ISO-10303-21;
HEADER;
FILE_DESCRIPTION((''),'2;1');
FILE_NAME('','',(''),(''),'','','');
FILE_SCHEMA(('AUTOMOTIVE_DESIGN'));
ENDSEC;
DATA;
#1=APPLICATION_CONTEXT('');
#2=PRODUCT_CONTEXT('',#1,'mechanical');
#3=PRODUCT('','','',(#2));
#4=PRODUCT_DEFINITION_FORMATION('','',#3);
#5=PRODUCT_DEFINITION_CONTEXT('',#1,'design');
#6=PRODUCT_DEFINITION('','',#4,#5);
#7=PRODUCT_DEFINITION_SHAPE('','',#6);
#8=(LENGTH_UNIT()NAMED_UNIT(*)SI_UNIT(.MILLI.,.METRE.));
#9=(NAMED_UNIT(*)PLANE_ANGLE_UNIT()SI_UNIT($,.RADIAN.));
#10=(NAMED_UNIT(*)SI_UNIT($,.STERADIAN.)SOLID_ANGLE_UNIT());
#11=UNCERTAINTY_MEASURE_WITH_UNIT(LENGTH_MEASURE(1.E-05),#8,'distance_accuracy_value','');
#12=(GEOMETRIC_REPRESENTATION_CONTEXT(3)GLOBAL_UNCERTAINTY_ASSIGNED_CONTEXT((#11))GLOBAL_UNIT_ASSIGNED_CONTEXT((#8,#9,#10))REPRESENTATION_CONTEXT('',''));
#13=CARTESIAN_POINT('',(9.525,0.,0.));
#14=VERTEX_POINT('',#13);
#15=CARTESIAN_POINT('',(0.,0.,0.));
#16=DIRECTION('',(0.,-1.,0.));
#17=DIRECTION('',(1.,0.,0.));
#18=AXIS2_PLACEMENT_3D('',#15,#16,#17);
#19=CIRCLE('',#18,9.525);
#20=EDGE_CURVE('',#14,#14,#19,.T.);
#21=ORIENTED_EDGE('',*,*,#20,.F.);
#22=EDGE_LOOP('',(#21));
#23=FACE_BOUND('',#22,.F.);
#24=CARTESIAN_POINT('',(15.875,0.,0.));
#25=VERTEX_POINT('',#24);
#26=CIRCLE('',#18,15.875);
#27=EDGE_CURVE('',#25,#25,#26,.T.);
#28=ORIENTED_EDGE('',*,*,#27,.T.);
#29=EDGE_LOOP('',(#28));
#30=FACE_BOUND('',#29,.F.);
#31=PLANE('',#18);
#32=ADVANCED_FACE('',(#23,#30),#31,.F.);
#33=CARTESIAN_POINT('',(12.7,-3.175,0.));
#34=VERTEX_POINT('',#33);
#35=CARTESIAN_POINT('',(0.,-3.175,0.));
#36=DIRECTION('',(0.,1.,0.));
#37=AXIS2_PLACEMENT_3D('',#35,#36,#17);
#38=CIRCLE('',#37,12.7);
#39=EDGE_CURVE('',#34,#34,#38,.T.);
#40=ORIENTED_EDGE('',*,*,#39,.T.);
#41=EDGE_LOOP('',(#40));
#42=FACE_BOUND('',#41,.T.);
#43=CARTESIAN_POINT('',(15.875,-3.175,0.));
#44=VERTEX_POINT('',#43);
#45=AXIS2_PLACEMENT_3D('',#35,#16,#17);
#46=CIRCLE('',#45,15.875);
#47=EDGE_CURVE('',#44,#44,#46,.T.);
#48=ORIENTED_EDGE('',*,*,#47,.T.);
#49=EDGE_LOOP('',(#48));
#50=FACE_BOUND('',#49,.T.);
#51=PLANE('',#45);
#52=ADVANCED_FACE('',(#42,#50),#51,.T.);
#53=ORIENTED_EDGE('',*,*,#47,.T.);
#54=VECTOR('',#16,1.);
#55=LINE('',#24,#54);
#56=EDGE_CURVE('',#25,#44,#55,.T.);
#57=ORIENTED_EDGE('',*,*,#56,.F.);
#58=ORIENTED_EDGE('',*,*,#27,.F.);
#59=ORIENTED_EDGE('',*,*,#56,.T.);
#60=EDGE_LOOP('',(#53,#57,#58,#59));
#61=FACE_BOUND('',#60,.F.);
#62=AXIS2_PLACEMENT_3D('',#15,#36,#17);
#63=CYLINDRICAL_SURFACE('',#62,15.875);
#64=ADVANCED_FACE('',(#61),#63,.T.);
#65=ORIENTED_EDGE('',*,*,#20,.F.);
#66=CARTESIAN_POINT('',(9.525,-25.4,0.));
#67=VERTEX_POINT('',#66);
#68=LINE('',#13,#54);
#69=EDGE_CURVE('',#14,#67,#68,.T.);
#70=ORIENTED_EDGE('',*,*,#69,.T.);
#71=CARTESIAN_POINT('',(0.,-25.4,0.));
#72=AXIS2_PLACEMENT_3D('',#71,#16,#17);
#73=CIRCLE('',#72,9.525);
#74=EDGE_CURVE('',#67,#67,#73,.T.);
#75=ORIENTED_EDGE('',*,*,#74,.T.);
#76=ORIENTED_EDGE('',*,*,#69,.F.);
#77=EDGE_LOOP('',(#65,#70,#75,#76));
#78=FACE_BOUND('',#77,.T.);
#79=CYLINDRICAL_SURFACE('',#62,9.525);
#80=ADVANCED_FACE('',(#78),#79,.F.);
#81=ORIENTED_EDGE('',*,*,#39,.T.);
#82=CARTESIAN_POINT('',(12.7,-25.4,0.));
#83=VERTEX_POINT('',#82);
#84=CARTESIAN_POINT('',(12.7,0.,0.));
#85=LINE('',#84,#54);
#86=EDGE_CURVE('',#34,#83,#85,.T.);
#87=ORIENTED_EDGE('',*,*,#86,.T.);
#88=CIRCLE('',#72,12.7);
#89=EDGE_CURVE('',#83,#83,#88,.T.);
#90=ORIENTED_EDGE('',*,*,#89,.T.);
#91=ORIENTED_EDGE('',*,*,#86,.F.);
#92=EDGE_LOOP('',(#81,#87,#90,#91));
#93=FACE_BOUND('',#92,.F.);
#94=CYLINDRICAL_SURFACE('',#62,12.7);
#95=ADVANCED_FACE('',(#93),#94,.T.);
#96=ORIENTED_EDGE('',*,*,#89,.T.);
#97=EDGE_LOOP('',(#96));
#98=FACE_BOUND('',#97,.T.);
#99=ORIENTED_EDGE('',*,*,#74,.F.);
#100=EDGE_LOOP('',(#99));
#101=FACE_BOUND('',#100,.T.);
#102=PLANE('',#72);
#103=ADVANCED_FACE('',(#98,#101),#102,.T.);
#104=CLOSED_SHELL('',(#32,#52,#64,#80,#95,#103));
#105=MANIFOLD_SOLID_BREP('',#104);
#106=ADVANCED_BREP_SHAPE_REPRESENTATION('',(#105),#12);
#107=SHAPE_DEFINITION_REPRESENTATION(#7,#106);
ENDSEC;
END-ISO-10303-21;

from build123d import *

# Parameters (mm, degrees)
F0_R     = 15.875
F3_DEPTH = 3.175
F1_R     = 12.7
F4_DEPTH = 25.4
F2_R     = 9.525
F5_DEPTH = 25.4


with BuildPart() as f3:
    # F0 (on Front) → F3 (new body)
    with BuildSketch(Plane.XZ):
        Circle(F0_R)
    extrude(amount=F3_DEPTH)

    # F1 (on Front) → F4 (join)
    with BuildSketch(Plane.XZ):
        Circle(F1_R)
    extrude(amount=F4_DEPTH)

    # F2 (on Front) → F5 (cut)
    with BuildSketch(Plane.XZ):
        Circle(F2_R)
    extrude(amount=F5_DEPTH, mode=Mode.SUBTRACT)


solid = f3.part
